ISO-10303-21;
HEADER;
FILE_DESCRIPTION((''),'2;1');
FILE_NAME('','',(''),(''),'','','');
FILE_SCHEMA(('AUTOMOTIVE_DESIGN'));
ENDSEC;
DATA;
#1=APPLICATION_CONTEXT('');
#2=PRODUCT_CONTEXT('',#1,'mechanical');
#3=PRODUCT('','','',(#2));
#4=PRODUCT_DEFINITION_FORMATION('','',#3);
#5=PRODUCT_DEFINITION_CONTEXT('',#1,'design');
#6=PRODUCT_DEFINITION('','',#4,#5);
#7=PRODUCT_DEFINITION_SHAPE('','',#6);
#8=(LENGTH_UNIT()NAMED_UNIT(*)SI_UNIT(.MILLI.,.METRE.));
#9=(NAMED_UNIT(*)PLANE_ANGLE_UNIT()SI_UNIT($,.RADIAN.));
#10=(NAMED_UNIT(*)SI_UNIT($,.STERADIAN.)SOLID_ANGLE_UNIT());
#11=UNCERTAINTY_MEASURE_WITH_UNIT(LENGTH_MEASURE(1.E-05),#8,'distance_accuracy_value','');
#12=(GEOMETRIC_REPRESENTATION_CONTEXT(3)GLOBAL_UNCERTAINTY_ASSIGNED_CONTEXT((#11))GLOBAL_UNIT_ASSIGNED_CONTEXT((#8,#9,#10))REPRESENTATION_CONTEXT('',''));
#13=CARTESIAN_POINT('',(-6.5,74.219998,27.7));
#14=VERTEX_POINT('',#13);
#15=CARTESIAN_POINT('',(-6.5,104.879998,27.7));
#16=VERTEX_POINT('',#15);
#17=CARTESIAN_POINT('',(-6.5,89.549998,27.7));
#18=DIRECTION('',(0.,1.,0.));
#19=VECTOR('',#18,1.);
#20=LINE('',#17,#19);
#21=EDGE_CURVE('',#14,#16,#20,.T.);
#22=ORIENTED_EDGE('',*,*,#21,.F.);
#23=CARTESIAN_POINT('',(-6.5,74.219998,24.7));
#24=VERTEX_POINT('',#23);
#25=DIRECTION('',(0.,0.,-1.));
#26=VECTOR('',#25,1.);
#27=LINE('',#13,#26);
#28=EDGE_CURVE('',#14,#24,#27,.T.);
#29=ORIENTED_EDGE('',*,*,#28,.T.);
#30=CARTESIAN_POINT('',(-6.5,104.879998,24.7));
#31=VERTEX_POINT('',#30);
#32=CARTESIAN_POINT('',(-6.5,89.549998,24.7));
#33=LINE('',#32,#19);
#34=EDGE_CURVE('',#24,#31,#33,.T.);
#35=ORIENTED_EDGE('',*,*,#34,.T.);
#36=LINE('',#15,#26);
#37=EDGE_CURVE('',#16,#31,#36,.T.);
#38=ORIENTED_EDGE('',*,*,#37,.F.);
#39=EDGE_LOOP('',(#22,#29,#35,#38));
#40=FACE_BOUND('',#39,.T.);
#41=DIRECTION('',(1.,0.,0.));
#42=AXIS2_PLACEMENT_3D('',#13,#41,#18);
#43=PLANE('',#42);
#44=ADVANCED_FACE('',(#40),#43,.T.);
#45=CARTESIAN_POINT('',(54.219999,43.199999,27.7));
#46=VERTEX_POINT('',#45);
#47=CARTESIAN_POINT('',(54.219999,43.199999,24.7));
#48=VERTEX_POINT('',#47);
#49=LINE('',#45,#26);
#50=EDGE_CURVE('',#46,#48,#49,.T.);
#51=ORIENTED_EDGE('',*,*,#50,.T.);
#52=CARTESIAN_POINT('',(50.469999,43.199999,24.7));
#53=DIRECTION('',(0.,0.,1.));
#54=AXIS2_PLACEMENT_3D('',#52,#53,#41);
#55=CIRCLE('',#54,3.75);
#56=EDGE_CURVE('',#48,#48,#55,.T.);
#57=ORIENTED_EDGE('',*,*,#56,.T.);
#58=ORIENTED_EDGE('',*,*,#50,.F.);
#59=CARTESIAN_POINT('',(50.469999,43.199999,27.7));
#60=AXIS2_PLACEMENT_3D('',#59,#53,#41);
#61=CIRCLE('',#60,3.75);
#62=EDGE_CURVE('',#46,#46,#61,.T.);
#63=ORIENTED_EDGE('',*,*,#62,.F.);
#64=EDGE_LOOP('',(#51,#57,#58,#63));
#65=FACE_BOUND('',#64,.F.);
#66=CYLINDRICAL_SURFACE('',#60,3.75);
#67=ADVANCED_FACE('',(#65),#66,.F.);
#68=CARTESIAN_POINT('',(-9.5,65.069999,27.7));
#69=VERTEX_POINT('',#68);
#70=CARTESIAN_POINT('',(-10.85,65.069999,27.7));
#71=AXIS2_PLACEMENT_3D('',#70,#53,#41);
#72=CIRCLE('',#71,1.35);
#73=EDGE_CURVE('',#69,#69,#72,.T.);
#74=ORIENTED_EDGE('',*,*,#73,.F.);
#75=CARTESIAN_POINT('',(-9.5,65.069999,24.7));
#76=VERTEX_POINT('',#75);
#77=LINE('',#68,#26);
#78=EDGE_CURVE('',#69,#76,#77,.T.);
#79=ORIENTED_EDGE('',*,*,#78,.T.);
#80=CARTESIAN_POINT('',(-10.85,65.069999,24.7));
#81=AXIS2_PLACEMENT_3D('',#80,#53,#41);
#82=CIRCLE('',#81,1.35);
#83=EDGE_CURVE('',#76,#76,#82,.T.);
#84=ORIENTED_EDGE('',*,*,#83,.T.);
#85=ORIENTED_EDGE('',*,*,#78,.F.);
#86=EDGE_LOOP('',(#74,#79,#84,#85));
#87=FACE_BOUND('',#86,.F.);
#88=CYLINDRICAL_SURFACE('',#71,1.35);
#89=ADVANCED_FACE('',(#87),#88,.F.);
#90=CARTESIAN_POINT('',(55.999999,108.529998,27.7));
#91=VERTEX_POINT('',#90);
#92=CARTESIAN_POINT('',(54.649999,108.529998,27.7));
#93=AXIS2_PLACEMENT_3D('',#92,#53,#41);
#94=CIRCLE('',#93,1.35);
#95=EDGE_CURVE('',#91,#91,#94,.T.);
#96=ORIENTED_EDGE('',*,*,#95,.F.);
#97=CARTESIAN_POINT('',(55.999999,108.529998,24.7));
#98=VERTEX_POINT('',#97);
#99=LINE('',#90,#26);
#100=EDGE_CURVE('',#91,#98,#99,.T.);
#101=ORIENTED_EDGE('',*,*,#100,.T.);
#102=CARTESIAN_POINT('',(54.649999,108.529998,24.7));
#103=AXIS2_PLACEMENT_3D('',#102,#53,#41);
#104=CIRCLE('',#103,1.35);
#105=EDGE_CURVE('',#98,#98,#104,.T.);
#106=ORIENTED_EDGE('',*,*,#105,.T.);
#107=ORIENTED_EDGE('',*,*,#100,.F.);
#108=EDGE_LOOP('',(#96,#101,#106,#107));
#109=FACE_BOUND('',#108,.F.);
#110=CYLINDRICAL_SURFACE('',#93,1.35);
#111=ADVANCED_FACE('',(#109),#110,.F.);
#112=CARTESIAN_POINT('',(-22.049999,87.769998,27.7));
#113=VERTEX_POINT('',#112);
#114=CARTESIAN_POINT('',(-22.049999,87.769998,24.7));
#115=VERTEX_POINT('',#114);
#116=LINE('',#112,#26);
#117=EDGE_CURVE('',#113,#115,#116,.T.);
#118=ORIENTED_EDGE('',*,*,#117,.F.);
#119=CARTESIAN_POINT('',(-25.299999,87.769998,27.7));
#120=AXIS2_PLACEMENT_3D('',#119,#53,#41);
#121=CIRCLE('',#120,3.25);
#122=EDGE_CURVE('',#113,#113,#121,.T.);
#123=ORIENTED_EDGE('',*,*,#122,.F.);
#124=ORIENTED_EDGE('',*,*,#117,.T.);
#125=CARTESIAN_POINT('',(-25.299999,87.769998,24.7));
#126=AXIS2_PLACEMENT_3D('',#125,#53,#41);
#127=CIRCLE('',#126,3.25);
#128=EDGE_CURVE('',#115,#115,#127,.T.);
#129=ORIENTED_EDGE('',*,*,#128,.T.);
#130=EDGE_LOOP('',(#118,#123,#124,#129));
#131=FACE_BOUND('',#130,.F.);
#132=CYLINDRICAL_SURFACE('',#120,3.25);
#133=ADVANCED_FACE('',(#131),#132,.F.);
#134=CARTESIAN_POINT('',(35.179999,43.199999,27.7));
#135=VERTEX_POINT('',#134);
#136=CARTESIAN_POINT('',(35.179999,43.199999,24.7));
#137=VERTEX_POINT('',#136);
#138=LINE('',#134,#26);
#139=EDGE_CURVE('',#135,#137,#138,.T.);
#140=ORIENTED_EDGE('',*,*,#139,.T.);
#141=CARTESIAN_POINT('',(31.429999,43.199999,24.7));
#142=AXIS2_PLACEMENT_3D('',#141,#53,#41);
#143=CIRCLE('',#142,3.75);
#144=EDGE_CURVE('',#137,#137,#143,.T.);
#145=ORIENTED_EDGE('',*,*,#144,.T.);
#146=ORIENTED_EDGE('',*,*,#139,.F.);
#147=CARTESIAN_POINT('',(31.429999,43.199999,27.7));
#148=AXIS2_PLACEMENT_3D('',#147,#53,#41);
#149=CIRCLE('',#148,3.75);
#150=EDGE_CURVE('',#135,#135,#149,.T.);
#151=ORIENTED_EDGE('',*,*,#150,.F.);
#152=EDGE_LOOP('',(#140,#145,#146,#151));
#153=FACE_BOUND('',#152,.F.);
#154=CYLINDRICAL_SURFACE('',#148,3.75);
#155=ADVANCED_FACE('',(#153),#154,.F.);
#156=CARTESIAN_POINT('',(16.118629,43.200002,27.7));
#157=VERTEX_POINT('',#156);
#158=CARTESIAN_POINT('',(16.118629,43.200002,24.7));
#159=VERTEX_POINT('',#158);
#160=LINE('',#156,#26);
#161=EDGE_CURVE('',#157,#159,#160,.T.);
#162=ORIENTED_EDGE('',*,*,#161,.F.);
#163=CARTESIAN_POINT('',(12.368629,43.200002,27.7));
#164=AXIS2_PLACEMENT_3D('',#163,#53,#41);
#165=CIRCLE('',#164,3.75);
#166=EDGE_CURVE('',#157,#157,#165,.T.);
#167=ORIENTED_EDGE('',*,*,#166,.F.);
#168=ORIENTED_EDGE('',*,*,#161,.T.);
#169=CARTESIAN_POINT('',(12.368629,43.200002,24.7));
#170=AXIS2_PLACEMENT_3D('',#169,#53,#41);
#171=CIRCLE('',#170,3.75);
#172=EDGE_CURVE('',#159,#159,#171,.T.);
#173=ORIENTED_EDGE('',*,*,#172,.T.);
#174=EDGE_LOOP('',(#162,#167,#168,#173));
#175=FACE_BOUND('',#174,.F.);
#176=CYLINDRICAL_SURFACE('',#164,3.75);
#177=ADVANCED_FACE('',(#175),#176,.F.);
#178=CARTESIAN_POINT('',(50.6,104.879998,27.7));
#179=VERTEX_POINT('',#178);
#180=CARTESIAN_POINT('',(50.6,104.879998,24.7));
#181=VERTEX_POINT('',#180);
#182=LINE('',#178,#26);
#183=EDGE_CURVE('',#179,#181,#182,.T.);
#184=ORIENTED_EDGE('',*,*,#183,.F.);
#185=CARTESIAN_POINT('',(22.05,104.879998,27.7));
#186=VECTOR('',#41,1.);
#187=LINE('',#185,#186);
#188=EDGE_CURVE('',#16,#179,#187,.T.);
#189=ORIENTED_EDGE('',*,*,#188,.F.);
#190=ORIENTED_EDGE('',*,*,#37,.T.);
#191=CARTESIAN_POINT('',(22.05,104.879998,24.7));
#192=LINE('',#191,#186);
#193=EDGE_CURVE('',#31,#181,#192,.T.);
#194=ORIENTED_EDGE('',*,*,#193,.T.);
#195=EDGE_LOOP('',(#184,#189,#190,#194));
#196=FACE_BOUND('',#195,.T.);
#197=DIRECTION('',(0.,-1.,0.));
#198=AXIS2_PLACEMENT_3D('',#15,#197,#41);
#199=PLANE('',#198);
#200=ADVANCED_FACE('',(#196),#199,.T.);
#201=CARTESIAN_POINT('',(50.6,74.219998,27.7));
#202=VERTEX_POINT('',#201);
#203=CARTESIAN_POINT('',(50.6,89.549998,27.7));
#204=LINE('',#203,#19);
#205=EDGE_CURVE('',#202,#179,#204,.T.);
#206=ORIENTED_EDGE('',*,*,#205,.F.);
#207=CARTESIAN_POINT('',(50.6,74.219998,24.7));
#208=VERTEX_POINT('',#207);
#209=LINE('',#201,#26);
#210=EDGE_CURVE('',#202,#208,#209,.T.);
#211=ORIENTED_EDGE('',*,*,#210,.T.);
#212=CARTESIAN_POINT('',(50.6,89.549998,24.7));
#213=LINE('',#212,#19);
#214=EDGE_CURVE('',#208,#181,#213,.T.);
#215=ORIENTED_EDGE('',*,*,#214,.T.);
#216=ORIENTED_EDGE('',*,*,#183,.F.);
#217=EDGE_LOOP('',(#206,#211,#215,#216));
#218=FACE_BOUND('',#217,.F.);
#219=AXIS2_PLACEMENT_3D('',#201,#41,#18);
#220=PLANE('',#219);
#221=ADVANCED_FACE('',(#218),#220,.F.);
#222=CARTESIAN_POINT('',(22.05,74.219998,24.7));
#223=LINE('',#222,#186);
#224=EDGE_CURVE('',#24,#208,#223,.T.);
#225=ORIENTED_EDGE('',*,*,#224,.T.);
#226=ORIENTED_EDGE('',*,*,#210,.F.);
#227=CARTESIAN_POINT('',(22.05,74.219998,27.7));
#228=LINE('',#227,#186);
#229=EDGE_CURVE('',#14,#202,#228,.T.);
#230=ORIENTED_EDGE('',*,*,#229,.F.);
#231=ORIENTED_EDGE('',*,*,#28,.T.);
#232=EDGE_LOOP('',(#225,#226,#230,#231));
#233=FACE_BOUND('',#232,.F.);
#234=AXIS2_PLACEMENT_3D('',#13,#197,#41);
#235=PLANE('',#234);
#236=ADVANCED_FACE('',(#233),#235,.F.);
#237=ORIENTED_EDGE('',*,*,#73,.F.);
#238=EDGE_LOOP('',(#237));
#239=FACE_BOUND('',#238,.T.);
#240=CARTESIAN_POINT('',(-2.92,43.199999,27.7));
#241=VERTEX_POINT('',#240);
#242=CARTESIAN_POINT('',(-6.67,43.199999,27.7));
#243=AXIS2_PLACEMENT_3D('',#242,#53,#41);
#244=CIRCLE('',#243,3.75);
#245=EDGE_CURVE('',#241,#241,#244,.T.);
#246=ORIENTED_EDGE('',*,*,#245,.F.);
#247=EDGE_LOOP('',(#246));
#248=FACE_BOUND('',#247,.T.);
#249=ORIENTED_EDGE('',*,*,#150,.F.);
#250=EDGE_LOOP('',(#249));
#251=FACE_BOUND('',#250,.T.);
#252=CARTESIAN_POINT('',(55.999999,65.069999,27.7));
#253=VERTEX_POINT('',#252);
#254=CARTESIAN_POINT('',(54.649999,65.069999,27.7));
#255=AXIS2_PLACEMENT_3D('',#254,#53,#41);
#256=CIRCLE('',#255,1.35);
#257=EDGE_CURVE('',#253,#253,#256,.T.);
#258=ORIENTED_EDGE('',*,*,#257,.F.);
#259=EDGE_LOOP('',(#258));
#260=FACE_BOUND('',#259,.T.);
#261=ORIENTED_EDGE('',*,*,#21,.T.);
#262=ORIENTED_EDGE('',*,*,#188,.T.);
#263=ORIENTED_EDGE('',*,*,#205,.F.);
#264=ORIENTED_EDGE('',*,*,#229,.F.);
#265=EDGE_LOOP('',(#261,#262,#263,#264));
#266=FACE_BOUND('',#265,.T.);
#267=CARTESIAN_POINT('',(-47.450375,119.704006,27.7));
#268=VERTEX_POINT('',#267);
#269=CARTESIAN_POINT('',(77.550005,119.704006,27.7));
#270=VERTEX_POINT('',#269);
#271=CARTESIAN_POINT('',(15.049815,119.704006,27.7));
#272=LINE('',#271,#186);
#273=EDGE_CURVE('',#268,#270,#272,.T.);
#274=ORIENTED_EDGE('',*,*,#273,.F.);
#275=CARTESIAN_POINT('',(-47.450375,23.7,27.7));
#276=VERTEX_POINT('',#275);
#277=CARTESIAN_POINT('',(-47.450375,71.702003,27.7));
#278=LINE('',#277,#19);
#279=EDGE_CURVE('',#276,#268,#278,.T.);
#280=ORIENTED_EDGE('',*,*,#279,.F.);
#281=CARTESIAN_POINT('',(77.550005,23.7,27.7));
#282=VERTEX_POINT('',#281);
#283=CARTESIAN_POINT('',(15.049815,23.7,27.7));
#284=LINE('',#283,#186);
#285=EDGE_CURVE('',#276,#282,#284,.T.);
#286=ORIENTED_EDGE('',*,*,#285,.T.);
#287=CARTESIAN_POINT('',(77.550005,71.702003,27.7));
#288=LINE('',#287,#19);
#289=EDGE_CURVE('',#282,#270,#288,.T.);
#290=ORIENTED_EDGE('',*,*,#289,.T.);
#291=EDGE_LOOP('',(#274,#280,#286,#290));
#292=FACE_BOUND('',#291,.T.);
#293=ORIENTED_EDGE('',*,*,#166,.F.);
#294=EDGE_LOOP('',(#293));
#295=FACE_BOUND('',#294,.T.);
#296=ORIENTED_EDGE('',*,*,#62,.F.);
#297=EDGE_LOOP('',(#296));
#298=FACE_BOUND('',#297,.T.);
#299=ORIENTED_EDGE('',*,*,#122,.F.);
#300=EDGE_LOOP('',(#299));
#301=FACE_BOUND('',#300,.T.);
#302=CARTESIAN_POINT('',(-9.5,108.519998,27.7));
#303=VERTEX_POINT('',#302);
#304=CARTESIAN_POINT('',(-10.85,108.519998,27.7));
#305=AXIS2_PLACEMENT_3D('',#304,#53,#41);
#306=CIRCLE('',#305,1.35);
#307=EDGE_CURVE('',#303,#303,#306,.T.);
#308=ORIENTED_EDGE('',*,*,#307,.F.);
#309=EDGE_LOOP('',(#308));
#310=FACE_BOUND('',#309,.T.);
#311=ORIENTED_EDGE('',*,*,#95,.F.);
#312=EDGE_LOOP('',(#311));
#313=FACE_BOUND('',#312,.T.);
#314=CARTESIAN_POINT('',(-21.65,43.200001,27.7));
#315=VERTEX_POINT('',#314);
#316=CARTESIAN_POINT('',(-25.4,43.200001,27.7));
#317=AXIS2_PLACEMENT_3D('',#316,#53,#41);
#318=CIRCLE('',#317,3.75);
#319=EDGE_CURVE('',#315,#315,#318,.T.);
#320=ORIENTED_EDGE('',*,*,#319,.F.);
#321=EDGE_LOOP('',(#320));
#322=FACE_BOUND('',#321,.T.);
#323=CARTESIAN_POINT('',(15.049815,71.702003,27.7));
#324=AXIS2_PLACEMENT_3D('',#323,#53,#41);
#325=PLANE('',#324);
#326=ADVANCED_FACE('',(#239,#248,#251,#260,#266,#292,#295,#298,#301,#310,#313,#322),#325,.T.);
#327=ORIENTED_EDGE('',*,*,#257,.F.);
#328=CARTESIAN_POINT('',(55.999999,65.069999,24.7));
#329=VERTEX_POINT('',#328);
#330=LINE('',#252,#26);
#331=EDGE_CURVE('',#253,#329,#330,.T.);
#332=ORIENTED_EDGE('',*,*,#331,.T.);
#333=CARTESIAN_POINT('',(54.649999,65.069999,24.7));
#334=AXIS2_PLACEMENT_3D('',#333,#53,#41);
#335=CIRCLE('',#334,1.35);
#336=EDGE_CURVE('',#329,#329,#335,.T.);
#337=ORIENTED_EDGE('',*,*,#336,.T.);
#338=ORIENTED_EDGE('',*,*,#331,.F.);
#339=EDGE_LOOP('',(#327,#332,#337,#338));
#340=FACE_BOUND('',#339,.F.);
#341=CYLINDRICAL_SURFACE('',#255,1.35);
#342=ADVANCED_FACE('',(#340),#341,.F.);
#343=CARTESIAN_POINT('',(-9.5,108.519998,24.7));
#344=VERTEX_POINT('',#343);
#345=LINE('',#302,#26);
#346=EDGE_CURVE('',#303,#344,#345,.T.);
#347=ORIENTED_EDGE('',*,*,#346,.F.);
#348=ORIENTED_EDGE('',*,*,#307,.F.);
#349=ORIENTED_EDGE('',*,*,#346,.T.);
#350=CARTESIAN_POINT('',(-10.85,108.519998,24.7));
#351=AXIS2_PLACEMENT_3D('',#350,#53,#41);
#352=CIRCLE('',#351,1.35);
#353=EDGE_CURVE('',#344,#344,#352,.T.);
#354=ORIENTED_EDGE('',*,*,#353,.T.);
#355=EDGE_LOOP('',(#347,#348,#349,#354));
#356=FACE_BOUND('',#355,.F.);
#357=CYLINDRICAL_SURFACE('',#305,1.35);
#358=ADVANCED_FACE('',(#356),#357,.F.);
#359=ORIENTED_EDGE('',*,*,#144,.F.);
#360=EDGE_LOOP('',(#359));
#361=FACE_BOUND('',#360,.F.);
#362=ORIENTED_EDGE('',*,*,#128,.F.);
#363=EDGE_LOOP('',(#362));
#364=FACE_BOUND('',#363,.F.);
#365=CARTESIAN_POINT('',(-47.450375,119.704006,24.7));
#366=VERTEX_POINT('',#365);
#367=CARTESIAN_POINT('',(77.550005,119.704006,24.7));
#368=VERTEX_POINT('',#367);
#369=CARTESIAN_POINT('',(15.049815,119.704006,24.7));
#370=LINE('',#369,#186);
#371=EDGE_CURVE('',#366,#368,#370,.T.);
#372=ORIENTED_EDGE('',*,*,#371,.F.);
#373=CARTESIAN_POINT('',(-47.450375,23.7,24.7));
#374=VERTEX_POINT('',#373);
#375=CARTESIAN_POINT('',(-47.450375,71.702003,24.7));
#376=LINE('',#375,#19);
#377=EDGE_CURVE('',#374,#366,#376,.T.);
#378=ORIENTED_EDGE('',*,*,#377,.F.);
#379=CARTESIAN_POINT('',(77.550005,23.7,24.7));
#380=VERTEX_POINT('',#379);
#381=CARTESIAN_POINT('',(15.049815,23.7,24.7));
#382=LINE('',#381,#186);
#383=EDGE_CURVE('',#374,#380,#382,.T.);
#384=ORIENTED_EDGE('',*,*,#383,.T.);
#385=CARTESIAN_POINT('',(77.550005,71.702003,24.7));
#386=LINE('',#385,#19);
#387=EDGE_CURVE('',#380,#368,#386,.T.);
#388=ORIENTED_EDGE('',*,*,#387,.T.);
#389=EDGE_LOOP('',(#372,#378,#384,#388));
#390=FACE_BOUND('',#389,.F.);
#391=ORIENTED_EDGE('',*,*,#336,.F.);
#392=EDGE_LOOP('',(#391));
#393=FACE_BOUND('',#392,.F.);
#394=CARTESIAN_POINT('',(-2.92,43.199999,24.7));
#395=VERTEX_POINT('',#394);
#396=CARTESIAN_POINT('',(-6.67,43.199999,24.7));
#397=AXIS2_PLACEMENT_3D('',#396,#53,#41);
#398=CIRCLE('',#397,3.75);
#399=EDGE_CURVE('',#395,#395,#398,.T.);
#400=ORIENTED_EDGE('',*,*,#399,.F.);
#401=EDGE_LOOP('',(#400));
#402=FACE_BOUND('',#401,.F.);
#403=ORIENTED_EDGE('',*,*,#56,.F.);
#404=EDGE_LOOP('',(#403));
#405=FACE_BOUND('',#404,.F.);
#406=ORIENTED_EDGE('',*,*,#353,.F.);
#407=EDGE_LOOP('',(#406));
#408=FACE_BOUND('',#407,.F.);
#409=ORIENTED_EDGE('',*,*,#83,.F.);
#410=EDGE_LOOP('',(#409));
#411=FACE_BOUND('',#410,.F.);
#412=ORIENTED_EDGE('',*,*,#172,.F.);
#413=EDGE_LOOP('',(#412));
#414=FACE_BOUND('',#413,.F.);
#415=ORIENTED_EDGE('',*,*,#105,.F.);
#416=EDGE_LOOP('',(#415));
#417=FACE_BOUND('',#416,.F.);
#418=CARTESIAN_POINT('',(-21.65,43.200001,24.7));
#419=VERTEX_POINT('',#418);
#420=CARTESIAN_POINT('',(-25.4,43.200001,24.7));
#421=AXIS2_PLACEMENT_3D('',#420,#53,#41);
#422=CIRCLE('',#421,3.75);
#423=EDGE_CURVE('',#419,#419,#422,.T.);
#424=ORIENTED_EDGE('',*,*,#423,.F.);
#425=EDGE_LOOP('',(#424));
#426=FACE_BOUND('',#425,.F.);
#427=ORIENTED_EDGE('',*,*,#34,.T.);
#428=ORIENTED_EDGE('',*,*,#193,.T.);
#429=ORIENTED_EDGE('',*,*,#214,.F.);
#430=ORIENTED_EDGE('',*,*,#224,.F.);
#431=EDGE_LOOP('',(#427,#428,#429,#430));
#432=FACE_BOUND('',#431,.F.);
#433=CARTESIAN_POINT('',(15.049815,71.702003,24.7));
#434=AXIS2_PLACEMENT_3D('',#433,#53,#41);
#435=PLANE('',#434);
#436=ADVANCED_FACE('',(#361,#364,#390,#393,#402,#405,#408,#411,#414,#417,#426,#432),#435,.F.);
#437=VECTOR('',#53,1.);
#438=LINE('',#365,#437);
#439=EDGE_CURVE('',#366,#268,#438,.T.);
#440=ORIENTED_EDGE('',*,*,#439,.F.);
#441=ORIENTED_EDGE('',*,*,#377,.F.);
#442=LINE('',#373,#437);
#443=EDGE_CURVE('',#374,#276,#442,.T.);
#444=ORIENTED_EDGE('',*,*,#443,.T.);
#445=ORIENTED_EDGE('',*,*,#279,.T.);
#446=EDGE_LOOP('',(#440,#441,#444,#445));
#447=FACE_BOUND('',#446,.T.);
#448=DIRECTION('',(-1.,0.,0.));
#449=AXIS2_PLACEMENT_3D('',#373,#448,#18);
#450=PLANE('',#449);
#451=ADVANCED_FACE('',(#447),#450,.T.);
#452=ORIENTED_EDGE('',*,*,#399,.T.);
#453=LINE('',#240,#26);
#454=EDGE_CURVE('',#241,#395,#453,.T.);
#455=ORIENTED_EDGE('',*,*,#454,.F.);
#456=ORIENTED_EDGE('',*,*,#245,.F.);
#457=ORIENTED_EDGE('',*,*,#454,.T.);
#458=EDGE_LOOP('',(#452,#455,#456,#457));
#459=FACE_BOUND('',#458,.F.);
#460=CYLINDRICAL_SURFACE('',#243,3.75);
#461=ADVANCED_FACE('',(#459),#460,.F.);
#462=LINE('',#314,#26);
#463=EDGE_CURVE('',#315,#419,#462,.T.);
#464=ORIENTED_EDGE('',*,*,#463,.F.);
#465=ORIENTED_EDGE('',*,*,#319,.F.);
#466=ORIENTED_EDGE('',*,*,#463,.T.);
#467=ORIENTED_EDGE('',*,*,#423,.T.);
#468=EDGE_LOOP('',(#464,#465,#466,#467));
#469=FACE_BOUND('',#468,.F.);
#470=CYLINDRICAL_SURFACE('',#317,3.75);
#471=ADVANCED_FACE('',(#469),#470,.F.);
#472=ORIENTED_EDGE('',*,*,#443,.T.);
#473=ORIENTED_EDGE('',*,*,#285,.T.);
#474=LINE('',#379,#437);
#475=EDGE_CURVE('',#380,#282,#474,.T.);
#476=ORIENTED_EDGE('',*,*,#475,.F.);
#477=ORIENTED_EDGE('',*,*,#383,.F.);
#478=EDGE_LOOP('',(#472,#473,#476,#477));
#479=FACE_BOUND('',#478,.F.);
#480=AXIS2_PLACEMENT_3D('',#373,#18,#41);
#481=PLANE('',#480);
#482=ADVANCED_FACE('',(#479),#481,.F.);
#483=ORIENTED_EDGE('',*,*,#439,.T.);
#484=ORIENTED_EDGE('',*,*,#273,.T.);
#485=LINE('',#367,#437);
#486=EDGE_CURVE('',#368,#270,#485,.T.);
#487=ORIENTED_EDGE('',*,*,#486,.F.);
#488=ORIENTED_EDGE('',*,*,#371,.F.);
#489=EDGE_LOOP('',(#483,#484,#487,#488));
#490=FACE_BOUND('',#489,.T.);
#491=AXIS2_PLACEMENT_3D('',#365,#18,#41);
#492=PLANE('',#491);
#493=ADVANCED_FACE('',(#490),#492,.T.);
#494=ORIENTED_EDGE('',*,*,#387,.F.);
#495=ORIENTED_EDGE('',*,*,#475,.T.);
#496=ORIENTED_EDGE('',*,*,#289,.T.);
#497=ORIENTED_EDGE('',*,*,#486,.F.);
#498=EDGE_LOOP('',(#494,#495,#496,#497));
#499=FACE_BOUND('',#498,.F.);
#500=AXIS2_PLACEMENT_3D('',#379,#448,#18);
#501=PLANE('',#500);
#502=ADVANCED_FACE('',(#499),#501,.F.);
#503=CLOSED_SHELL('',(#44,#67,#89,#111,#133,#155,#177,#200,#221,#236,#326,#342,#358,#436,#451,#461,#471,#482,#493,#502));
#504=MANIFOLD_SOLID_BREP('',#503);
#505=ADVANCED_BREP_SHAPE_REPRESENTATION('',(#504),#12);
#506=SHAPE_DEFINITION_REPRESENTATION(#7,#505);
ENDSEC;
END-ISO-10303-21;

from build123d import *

# Parameters (mm, degrees)
SKETCH015_W      = 125.000379
SKETCH015_H      = 96.004006
EXTRUDE013_DEPTH = 3
SKETCH004_R      = 3.75
HOLE001_DEPTH    = 3
SKETCH005_R      = 3.25
HOLE002_DEPTH    = 3
SKETCH007_R      = 3.75
HOLE003_DEPTH    = 3
SKETCH006_R      = 1.35
HOLE004_DEPTH    = 3
SKETCH008_W      = 57.1
SKETCH008_H      = 30.66
POCKET_DEPTH     = 3


with BuildPart() as part:
    # Sketch015 → Extrude013 (new body)
    with BuildSketch(Plane.XY):
        with Locations((15.049815, 71.702003)):
            Rectangle(SKETCH015_W, SKETCH015_H)
    extrude(amount=EXTRUDE013_DEPTH)

    # Sketch004 (on Face6 of Extrude013) → Hole001 (cut)
    with BuildSketch(Plane.XY.offset(3)):
        with Locations((-25.4, 43.200001)):
            Circle(SKETCH004_R)
    extrude(amount=-HOLE001_DEPTH, mode=Mode.SUBTRACT)

    # Sketch005 (on Face5 of Hole001) → Hole002 (cut)
    with BuildSketch(Plane.XY.offset(3)):
        with Locations((-25.299999, 87.769998)):
            Circle(SKETCH005_R)
    extrude(amount=-HOLE002_DEPTH, mode=Mode.SUBTRACT)

    # Sketch007 (on Face5 of Hole002) → Hole003 (cut)
    with BuildSketch(Plane.XY.offset(3)):
        with Locations((-6.67, 43.199999)):
            Circle(SKETCH007_R)
        with Locations((12.368629, 43.200002)):
            Circle(SKETCH007_R)
        with Locations((31.429999, 43.199999)):
            Circle(SKETCH007_R)
        with Locations((50.469999, 43.199999)):
            Circle(SKETCH007_R)
    extrude(amount=-HOLE003_DEPTH, mode=Mode.SUBTRACT)

    # Sketch006 (on Face5 of Hole003) → Hole004 (cut)
    with BuildSketch(Plane.XY.offset(3)):
        with Locations((-10.85, 65.069999)):
            Circle(SKETCH006_R)
        with Locations((54.649999, 65.069999)):
            Circle(SKETCH006_R)
        with Locations((54.649999, 108.529998)):
            Circle(SKETCH006_R)
        with Locations((-10.85, 108.519998)):
            Circle(SKETCH006_R)
    extrude(amount=-HOLE004_DEPTH, mode=Mode.SUBTRACT)

    # Sketch008 (on Face5 of Hole004) → Pocket (cut)
    with BuildSketch(Plane.XY.offset(3)):
        with Locations((22.05, 89.549998)):
            Rectangle(SKETCH008_W, SKETCH008_H)
    extrude(amount=-POCKET_DEPTH, mode=Mode.SUBTRACT)


with BuildPart() as part_1:
    # Body001 placement: moved
    add(part.part.moved(Location((0, 0, 24.7))))


solid = part_1.part
